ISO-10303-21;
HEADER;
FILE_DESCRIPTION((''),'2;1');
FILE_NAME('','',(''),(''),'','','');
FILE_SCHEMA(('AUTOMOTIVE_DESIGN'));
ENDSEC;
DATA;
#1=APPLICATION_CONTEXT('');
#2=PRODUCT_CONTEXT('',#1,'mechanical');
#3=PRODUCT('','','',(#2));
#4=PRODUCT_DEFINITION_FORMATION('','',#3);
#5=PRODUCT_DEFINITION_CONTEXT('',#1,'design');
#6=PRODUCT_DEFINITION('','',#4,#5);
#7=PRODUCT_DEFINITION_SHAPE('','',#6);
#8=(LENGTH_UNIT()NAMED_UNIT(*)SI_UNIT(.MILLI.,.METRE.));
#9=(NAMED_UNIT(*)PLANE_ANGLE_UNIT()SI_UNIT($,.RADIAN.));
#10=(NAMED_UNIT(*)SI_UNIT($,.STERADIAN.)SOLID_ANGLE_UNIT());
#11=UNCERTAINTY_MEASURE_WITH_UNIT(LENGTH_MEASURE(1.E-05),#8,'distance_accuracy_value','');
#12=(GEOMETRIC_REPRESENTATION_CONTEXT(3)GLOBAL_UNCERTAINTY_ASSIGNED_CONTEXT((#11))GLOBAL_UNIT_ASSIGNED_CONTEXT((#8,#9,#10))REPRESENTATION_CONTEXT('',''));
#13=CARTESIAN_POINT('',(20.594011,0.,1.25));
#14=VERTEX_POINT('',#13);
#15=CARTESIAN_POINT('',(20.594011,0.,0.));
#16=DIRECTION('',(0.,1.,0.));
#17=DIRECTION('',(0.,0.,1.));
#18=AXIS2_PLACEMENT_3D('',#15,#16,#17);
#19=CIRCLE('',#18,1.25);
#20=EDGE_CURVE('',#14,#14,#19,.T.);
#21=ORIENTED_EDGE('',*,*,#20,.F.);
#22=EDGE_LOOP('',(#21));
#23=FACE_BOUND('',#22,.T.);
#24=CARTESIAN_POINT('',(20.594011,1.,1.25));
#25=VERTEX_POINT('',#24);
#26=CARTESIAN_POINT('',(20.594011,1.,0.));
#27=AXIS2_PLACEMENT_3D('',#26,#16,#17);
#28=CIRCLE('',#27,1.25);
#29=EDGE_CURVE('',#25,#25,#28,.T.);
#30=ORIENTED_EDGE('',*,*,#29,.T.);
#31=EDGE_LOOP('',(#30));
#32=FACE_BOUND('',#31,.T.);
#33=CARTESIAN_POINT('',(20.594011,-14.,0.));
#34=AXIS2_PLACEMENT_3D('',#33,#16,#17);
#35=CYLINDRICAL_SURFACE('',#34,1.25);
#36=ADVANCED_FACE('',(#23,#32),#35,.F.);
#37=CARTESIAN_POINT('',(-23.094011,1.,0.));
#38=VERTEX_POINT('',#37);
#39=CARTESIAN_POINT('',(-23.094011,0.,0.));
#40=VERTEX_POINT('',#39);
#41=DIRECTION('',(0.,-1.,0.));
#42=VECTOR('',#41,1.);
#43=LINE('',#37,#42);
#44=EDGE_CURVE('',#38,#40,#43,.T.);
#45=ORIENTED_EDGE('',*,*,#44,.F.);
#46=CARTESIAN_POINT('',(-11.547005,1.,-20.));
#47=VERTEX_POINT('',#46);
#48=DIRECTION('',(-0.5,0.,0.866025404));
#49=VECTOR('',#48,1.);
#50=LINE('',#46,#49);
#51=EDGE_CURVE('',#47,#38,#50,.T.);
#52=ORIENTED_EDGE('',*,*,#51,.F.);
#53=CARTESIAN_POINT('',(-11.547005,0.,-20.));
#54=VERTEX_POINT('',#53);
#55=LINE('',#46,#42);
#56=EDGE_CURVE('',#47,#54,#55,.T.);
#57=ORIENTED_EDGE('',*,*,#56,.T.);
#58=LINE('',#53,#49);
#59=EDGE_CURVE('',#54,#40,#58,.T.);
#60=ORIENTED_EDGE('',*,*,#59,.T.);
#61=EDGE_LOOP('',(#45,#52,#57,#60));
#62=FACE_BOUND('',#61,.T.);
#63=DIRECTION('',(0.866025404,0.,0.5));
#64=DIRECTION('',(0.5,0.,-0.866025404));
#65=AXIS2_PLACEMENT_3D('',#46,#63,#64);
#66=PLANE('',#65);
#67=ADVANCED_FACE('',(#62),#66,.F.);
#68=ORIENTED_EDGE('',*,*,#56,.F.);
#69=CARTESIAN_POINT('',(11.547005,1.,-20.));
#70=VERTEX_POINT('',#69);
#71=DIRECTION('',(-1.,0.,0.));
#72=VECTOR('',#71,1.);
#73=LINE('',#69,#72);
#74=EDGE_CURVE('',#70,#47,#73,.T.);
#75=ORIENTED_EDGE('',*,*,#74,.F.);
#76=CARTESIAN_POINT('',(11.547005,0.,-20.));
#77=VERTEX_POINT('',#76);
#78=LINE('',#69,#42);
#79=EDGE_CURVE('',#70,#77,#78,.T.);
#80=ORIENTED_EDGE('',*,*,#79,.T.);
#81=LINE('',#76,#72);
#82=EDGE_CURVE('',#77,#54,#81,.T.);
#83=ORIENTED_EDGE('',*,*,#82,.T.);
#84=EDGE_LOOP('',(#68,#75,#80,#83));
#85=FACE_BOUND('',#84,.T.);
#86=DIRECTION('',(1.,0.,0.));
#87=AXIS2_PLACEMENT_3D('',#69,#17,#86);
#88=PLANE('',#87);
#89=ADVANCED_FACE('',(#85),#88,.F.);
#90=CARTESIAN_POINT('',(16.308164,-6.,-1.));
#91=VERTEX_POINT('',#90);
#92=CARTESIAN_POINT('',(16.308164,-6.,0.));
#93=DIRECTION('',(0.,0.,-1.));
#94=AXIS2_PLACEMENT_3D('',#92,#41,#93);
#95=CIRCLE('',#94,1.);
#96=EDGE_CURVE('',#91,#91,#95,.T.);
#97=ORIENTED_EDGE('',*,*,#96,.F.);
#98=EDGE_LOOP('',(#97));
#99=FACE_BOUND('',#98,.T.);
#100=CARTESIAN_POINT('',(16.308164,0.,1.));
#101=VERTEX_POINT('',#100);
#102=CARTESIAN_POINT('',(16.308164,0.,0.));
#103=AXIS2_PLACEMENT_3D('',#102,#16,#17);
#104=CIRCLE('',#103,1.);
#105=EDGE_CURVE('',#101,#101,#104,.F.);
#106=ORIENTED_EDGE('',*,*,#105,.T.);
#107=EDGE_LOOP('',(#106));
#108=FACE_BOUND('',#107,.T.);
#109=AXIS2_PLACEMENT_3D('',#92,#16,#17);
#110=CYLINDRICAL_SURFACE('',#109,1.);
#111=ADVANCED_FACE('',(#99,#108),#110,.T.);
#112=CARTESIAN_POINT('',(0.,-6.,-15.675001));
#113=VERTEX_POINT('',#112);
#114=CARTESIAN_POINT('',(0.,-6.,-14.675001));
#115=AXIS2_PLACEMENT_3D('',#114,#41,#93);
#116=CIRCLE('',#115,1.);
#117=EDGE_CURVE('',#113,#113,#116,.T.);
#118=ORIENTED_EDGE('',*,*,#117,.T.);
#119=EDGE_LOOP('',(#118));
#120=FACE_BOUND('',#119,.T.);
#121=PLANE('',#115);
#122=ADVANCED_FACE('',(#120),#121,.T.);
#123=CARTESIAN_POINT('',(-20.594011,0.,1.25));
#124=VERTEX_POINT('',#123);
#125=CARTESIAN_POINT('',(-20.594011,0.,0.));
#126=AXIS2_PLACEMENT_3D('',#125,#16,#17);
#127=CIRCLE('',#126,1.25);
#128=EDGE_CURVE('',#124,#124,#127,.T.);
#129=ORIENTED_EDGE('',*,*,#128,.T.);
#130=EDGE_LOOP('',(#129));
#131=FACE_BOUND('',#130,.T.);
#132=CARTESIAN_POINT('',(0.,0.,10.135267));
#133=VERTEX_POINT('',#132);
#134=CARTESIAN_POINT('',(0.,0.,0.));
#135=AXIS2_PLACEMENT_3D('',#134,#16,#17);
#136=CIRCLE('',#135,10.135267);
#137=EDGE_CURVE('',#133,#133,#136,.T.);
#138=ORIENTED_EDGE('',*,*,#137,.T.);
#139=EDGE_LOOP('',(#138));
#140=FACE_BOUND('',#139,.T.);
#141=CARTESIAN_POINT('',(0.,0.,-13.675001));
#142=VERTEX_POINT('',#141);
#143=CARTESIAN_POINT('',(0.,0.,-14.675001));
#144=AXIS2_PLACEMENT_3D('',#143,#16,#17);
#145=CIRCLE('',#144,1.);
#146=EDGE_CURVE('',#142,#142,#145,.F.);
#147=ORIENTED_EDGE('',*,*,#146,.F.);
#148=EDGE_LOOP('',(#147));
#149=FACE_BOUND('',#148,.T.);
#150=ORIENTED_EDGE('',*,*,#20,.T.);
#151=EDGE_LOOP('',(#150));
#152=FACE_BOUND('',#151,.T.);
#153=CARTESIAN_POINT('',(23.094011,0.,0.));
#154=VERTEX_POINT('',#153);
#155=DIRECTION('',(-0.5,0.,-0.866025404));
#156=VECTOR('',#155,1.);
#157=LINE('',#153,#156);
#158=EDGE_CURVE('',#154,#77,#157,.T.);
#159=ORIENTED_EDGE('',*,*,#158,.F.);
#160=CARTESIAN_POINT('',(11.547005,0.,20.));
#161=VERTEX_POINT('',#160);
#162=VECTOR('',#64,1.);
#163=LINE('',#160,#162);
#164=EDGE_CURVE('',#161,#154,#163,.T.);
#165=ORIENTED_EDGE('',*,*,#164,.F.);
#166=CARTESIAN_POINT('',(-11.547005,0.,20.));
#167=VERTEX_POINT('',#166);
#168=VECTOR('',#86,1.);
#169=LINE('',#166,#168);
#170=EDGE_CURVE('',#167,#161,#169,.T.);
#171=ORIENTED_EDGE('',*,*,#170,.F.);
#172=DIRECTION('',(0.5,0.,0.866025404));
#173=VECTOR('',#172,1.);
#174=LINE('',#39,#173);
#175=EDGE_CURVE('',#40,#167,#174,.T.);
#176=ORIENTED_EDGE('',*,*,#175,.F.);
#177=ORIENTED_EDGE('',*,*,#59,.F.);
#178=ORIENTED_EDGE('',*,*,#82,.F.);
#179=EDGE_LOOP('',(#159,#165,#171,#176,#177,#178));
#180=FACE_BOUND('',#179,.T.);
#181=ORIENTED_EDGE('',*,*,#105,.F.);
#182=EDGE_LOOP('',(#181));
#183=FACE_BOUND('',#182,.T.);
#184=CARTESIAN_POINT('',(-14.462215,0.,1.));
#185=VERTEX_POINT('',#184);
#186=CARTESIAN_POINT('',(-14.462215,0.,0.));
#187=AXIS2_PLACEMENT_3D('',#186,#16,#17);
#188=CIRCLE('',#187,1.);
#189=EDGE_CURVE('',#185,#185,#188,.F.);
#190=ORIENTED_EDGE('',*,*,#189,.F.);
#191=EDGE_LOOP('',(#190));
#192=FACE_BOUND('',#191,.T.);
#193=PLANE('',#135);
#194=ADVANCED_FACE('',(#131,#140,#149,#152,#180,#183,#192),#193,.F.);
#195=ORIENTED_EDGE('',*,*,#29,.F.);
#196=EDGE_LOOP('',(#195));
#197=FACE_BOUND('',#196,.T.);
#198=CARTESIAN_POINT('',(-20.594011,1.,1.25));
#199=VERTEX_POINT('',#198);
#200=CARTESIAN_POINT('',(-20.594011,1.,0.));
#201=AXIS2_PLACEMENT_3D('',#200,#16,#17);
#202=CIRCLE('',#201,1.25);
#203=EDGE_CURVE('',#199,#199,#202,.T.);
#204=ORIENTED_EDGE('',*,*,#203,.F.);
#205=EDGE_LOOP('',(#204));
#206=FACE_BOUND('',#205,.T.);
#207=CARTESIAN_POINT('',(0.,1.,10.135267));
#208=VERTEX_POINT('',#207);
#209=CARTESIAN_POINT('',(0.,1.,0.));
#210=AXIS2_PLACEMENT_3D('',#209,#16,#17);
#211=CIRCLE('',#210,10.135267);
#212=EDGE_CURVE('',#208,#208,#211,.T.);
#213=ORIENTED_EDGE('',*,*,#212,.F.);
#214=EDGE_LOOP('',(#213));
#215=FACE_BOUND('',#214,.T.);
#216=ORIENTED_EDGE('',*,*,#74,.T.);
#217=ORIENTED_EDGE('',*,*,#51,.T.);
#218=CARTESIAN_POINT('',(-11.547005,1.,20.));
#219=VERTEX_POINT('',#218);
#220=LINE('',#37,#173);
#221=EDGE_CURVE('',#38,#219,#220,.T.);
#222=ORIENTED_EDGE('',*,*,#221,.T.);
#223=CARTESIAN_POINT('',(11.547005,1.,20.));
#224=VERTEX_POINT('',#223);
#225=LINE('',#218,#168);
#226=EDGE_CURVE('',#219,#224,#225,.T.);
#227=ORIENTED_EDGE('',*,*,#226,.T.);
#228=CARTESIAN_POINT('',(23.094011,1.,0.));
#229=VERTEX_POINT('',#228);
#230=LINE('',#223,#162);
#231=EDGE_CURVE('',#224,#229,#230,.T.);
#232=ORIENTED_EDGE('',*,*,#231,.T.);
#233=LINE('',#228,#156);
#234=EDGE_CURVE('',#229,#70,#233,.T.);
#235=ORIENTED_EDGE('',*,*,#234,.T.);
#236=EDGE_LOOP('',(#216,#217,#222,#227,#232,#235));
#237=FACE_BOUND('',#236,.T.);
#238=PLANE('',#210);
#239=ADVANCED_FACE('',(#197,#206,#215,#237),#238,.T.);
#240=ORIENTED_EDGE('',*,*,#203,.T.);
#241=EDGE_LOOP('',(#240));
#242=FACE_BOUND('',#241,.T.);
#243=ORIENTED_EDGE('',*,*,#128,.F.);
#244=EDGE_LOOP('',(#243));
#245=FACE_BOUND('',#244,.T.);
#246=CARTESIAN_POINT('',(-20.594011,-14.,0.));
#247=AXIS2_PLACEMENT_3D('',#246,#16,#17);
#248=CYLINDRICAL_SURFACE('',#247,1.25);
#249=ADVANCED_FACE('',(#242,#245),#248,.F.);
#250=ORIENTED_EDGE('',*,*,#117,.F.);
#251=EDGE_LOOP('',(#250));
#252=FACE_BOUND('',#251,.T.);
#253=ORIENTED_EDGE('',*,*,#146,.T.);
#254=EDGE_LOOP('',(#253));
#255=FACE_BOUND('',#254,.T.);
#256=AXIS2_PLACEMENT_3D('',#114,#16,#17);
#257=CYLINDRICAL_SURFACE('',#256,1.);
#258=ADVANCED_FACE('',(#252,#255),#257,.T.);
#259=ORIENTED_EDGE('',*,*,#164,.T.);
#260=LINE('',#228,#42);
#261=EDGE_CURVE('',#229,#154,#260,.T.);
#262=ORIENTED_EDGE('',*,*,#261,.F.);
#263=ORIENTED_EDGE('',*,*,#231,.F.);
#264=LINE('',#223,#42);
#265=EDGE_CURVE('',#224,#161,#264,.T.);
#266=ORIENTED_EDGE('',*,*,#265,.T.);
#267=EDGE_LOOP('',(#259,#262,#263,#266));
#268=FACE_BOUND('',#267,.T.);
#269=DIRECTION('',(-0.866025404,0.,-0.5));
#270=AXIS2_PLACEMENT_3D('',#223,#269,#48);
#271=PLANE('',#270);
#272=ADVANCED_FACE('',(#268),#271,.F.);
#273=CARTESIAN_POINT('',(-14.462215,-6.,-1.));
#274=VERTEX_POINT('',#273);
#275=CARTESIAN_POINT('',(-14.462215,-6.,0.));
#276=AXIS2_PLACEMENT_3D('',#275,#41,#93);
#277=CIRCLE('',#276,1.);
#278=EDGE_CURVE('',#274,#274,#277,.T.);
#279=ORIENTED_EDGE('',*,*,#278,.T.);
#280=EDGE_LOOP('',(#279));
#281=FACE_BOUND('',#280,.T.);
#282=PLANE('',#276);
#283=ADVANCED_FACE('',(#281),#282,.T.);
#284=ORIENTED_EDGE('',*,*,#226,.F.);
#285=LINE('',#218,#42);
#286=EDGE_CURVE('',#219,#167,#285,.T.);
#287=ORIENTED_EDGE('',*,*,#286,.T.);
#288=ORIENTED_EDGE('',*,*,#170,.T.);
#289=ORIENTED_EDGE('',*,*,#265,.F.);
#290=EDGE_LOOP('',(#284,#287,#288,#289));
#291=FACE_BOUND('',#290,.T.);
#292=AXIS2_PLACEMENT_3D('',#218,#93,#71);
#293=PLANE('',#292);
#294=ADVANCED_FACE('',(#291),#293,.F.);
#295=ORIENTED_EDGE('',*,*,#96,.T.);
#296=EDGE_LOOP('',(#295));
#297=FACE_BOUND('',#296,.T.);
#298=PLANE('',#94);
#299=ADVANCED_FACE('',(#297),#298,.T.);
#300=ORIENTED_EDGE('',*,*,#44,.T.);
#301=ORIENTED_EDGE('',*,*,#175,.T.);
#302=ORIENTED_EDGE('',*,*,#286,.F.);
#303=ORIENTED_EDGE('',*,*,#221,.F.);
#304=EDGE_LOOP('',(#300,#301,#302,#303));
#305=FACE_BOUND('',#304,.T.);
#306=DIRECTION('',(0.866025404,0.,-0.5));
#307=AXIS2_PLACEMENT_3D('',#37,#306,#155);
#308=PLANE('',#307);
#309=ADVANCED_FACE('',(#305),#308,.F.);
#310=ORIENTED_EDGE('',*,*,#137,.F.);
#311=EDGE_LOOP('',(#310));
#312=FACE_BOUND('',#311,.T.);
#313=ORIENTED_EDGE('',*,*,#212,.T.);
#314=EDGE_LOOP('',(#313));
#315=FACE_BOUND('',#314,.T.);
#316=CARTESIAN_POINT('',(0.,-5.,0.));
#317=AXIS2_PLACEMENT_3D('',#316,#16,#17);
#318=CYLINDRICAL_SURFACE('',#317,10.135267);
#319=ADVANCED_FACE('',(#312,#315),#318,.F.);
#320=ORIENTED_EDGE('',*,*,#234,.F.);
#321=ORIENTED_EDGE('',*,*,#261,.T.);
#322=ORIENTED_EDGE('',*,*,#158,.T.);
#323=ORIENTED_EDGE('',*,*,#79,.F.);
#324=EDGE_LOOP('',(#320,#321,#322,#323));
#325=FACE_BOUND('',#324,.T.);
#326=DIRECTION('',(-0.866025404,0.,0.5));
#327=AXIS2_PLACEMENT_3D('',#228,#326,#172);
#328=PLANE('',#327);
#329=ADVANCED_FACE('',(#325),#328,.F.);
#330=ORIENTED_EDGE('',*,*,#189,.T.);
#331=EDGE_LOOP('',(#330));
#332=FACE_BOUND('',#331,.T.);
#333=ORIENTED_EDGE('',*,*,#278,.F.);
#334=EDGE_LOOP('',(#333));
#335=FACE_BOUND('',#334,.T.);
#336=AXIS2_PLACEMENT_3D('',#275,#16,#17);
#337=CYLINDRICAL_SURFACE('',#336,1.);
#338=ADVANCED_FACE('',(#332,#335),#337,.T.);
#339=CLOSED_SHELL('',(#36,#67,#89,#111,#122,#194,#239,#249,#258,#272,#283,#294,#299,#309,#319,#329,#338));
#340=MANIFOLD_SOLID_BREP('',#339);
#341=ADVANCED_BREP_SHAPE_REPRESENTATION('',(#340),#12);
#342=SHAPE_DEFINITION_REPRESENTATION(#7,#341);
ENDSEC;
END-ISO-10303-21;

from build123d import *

# Parameters (mm, degrees)
BOSS_EXTRUDE1_DEPTH = 1
SKETCH3_R           = 1
BOSS_EXTRUDE2_DEPTH = 6
SKETCH4_R           = 10.135267165
CUT_EXTRUDE1_DEPTH  = 6
SKETCH5_R           = 1.25
CUT_EXTRUDE2_DEPTH  = 15


with BuildPart() as part:
    # Sketch1 → Boss-Extrude1 (new body)
    with BuildSketch(Plane(origin=(0, 0, 0), x_dir=(1, 0, 0), z_dir=(0, 1, 0))):
        Polygon((23.094010768, 0), (11.547005384, 20), (-11.547005384, 20), (-23.094010768, 0), (-11.547005384, -20), (11.547005384, -20), align=None)
    extrude(amount=BOSS_EXTRUDE1_DEPTH)

    # Sketch3 → Boss-Extrude2 (add)
    with BuildSketch(Plane.XZ):
        with Locations((16.308163565, 0)):
            Circle(SKETCH3_R)
        with Locations((-14.462214845, 0)):
            Circle(SKETCH3_R)
        with Locations((0, -14.675000966)):
            Circle(SKETCH3_R)
    extrude(amount=BOSS_EXTRUDE2_DEPTH)

    # Sketch4 → Cut-Extrude1 (cut)
    with BuildSketch(Plane(origin=(0, 1, 0), x_dir=(1, 0, 0), z_dir=(0, 1, 0))):
        Circle(SKETCH4_R)
    extrude(amount=-CUT_EXTRUDE1_DEPTH, mode=Mode.SUBTRACT)

    # Sketch5 → Cut-Extrude2 (cut)
    with BuildSketch(Plane(origin=(19.371137685, 1, -19.368583248), x_dir=(-1, 0, 0), z_dir=(0, 1, 0))):
        with Locations((-1.222873082, 19.368583248)):
            Circle(SKETCH5_R)
        with Locations((39.965148453, 19.368583248)):
            Circle(SKETCH5_R)
    extrude(amount=-CUT_EXTRUDE2_DEPTH, mode=Mode.SUBTRACT)


solid = part.part
